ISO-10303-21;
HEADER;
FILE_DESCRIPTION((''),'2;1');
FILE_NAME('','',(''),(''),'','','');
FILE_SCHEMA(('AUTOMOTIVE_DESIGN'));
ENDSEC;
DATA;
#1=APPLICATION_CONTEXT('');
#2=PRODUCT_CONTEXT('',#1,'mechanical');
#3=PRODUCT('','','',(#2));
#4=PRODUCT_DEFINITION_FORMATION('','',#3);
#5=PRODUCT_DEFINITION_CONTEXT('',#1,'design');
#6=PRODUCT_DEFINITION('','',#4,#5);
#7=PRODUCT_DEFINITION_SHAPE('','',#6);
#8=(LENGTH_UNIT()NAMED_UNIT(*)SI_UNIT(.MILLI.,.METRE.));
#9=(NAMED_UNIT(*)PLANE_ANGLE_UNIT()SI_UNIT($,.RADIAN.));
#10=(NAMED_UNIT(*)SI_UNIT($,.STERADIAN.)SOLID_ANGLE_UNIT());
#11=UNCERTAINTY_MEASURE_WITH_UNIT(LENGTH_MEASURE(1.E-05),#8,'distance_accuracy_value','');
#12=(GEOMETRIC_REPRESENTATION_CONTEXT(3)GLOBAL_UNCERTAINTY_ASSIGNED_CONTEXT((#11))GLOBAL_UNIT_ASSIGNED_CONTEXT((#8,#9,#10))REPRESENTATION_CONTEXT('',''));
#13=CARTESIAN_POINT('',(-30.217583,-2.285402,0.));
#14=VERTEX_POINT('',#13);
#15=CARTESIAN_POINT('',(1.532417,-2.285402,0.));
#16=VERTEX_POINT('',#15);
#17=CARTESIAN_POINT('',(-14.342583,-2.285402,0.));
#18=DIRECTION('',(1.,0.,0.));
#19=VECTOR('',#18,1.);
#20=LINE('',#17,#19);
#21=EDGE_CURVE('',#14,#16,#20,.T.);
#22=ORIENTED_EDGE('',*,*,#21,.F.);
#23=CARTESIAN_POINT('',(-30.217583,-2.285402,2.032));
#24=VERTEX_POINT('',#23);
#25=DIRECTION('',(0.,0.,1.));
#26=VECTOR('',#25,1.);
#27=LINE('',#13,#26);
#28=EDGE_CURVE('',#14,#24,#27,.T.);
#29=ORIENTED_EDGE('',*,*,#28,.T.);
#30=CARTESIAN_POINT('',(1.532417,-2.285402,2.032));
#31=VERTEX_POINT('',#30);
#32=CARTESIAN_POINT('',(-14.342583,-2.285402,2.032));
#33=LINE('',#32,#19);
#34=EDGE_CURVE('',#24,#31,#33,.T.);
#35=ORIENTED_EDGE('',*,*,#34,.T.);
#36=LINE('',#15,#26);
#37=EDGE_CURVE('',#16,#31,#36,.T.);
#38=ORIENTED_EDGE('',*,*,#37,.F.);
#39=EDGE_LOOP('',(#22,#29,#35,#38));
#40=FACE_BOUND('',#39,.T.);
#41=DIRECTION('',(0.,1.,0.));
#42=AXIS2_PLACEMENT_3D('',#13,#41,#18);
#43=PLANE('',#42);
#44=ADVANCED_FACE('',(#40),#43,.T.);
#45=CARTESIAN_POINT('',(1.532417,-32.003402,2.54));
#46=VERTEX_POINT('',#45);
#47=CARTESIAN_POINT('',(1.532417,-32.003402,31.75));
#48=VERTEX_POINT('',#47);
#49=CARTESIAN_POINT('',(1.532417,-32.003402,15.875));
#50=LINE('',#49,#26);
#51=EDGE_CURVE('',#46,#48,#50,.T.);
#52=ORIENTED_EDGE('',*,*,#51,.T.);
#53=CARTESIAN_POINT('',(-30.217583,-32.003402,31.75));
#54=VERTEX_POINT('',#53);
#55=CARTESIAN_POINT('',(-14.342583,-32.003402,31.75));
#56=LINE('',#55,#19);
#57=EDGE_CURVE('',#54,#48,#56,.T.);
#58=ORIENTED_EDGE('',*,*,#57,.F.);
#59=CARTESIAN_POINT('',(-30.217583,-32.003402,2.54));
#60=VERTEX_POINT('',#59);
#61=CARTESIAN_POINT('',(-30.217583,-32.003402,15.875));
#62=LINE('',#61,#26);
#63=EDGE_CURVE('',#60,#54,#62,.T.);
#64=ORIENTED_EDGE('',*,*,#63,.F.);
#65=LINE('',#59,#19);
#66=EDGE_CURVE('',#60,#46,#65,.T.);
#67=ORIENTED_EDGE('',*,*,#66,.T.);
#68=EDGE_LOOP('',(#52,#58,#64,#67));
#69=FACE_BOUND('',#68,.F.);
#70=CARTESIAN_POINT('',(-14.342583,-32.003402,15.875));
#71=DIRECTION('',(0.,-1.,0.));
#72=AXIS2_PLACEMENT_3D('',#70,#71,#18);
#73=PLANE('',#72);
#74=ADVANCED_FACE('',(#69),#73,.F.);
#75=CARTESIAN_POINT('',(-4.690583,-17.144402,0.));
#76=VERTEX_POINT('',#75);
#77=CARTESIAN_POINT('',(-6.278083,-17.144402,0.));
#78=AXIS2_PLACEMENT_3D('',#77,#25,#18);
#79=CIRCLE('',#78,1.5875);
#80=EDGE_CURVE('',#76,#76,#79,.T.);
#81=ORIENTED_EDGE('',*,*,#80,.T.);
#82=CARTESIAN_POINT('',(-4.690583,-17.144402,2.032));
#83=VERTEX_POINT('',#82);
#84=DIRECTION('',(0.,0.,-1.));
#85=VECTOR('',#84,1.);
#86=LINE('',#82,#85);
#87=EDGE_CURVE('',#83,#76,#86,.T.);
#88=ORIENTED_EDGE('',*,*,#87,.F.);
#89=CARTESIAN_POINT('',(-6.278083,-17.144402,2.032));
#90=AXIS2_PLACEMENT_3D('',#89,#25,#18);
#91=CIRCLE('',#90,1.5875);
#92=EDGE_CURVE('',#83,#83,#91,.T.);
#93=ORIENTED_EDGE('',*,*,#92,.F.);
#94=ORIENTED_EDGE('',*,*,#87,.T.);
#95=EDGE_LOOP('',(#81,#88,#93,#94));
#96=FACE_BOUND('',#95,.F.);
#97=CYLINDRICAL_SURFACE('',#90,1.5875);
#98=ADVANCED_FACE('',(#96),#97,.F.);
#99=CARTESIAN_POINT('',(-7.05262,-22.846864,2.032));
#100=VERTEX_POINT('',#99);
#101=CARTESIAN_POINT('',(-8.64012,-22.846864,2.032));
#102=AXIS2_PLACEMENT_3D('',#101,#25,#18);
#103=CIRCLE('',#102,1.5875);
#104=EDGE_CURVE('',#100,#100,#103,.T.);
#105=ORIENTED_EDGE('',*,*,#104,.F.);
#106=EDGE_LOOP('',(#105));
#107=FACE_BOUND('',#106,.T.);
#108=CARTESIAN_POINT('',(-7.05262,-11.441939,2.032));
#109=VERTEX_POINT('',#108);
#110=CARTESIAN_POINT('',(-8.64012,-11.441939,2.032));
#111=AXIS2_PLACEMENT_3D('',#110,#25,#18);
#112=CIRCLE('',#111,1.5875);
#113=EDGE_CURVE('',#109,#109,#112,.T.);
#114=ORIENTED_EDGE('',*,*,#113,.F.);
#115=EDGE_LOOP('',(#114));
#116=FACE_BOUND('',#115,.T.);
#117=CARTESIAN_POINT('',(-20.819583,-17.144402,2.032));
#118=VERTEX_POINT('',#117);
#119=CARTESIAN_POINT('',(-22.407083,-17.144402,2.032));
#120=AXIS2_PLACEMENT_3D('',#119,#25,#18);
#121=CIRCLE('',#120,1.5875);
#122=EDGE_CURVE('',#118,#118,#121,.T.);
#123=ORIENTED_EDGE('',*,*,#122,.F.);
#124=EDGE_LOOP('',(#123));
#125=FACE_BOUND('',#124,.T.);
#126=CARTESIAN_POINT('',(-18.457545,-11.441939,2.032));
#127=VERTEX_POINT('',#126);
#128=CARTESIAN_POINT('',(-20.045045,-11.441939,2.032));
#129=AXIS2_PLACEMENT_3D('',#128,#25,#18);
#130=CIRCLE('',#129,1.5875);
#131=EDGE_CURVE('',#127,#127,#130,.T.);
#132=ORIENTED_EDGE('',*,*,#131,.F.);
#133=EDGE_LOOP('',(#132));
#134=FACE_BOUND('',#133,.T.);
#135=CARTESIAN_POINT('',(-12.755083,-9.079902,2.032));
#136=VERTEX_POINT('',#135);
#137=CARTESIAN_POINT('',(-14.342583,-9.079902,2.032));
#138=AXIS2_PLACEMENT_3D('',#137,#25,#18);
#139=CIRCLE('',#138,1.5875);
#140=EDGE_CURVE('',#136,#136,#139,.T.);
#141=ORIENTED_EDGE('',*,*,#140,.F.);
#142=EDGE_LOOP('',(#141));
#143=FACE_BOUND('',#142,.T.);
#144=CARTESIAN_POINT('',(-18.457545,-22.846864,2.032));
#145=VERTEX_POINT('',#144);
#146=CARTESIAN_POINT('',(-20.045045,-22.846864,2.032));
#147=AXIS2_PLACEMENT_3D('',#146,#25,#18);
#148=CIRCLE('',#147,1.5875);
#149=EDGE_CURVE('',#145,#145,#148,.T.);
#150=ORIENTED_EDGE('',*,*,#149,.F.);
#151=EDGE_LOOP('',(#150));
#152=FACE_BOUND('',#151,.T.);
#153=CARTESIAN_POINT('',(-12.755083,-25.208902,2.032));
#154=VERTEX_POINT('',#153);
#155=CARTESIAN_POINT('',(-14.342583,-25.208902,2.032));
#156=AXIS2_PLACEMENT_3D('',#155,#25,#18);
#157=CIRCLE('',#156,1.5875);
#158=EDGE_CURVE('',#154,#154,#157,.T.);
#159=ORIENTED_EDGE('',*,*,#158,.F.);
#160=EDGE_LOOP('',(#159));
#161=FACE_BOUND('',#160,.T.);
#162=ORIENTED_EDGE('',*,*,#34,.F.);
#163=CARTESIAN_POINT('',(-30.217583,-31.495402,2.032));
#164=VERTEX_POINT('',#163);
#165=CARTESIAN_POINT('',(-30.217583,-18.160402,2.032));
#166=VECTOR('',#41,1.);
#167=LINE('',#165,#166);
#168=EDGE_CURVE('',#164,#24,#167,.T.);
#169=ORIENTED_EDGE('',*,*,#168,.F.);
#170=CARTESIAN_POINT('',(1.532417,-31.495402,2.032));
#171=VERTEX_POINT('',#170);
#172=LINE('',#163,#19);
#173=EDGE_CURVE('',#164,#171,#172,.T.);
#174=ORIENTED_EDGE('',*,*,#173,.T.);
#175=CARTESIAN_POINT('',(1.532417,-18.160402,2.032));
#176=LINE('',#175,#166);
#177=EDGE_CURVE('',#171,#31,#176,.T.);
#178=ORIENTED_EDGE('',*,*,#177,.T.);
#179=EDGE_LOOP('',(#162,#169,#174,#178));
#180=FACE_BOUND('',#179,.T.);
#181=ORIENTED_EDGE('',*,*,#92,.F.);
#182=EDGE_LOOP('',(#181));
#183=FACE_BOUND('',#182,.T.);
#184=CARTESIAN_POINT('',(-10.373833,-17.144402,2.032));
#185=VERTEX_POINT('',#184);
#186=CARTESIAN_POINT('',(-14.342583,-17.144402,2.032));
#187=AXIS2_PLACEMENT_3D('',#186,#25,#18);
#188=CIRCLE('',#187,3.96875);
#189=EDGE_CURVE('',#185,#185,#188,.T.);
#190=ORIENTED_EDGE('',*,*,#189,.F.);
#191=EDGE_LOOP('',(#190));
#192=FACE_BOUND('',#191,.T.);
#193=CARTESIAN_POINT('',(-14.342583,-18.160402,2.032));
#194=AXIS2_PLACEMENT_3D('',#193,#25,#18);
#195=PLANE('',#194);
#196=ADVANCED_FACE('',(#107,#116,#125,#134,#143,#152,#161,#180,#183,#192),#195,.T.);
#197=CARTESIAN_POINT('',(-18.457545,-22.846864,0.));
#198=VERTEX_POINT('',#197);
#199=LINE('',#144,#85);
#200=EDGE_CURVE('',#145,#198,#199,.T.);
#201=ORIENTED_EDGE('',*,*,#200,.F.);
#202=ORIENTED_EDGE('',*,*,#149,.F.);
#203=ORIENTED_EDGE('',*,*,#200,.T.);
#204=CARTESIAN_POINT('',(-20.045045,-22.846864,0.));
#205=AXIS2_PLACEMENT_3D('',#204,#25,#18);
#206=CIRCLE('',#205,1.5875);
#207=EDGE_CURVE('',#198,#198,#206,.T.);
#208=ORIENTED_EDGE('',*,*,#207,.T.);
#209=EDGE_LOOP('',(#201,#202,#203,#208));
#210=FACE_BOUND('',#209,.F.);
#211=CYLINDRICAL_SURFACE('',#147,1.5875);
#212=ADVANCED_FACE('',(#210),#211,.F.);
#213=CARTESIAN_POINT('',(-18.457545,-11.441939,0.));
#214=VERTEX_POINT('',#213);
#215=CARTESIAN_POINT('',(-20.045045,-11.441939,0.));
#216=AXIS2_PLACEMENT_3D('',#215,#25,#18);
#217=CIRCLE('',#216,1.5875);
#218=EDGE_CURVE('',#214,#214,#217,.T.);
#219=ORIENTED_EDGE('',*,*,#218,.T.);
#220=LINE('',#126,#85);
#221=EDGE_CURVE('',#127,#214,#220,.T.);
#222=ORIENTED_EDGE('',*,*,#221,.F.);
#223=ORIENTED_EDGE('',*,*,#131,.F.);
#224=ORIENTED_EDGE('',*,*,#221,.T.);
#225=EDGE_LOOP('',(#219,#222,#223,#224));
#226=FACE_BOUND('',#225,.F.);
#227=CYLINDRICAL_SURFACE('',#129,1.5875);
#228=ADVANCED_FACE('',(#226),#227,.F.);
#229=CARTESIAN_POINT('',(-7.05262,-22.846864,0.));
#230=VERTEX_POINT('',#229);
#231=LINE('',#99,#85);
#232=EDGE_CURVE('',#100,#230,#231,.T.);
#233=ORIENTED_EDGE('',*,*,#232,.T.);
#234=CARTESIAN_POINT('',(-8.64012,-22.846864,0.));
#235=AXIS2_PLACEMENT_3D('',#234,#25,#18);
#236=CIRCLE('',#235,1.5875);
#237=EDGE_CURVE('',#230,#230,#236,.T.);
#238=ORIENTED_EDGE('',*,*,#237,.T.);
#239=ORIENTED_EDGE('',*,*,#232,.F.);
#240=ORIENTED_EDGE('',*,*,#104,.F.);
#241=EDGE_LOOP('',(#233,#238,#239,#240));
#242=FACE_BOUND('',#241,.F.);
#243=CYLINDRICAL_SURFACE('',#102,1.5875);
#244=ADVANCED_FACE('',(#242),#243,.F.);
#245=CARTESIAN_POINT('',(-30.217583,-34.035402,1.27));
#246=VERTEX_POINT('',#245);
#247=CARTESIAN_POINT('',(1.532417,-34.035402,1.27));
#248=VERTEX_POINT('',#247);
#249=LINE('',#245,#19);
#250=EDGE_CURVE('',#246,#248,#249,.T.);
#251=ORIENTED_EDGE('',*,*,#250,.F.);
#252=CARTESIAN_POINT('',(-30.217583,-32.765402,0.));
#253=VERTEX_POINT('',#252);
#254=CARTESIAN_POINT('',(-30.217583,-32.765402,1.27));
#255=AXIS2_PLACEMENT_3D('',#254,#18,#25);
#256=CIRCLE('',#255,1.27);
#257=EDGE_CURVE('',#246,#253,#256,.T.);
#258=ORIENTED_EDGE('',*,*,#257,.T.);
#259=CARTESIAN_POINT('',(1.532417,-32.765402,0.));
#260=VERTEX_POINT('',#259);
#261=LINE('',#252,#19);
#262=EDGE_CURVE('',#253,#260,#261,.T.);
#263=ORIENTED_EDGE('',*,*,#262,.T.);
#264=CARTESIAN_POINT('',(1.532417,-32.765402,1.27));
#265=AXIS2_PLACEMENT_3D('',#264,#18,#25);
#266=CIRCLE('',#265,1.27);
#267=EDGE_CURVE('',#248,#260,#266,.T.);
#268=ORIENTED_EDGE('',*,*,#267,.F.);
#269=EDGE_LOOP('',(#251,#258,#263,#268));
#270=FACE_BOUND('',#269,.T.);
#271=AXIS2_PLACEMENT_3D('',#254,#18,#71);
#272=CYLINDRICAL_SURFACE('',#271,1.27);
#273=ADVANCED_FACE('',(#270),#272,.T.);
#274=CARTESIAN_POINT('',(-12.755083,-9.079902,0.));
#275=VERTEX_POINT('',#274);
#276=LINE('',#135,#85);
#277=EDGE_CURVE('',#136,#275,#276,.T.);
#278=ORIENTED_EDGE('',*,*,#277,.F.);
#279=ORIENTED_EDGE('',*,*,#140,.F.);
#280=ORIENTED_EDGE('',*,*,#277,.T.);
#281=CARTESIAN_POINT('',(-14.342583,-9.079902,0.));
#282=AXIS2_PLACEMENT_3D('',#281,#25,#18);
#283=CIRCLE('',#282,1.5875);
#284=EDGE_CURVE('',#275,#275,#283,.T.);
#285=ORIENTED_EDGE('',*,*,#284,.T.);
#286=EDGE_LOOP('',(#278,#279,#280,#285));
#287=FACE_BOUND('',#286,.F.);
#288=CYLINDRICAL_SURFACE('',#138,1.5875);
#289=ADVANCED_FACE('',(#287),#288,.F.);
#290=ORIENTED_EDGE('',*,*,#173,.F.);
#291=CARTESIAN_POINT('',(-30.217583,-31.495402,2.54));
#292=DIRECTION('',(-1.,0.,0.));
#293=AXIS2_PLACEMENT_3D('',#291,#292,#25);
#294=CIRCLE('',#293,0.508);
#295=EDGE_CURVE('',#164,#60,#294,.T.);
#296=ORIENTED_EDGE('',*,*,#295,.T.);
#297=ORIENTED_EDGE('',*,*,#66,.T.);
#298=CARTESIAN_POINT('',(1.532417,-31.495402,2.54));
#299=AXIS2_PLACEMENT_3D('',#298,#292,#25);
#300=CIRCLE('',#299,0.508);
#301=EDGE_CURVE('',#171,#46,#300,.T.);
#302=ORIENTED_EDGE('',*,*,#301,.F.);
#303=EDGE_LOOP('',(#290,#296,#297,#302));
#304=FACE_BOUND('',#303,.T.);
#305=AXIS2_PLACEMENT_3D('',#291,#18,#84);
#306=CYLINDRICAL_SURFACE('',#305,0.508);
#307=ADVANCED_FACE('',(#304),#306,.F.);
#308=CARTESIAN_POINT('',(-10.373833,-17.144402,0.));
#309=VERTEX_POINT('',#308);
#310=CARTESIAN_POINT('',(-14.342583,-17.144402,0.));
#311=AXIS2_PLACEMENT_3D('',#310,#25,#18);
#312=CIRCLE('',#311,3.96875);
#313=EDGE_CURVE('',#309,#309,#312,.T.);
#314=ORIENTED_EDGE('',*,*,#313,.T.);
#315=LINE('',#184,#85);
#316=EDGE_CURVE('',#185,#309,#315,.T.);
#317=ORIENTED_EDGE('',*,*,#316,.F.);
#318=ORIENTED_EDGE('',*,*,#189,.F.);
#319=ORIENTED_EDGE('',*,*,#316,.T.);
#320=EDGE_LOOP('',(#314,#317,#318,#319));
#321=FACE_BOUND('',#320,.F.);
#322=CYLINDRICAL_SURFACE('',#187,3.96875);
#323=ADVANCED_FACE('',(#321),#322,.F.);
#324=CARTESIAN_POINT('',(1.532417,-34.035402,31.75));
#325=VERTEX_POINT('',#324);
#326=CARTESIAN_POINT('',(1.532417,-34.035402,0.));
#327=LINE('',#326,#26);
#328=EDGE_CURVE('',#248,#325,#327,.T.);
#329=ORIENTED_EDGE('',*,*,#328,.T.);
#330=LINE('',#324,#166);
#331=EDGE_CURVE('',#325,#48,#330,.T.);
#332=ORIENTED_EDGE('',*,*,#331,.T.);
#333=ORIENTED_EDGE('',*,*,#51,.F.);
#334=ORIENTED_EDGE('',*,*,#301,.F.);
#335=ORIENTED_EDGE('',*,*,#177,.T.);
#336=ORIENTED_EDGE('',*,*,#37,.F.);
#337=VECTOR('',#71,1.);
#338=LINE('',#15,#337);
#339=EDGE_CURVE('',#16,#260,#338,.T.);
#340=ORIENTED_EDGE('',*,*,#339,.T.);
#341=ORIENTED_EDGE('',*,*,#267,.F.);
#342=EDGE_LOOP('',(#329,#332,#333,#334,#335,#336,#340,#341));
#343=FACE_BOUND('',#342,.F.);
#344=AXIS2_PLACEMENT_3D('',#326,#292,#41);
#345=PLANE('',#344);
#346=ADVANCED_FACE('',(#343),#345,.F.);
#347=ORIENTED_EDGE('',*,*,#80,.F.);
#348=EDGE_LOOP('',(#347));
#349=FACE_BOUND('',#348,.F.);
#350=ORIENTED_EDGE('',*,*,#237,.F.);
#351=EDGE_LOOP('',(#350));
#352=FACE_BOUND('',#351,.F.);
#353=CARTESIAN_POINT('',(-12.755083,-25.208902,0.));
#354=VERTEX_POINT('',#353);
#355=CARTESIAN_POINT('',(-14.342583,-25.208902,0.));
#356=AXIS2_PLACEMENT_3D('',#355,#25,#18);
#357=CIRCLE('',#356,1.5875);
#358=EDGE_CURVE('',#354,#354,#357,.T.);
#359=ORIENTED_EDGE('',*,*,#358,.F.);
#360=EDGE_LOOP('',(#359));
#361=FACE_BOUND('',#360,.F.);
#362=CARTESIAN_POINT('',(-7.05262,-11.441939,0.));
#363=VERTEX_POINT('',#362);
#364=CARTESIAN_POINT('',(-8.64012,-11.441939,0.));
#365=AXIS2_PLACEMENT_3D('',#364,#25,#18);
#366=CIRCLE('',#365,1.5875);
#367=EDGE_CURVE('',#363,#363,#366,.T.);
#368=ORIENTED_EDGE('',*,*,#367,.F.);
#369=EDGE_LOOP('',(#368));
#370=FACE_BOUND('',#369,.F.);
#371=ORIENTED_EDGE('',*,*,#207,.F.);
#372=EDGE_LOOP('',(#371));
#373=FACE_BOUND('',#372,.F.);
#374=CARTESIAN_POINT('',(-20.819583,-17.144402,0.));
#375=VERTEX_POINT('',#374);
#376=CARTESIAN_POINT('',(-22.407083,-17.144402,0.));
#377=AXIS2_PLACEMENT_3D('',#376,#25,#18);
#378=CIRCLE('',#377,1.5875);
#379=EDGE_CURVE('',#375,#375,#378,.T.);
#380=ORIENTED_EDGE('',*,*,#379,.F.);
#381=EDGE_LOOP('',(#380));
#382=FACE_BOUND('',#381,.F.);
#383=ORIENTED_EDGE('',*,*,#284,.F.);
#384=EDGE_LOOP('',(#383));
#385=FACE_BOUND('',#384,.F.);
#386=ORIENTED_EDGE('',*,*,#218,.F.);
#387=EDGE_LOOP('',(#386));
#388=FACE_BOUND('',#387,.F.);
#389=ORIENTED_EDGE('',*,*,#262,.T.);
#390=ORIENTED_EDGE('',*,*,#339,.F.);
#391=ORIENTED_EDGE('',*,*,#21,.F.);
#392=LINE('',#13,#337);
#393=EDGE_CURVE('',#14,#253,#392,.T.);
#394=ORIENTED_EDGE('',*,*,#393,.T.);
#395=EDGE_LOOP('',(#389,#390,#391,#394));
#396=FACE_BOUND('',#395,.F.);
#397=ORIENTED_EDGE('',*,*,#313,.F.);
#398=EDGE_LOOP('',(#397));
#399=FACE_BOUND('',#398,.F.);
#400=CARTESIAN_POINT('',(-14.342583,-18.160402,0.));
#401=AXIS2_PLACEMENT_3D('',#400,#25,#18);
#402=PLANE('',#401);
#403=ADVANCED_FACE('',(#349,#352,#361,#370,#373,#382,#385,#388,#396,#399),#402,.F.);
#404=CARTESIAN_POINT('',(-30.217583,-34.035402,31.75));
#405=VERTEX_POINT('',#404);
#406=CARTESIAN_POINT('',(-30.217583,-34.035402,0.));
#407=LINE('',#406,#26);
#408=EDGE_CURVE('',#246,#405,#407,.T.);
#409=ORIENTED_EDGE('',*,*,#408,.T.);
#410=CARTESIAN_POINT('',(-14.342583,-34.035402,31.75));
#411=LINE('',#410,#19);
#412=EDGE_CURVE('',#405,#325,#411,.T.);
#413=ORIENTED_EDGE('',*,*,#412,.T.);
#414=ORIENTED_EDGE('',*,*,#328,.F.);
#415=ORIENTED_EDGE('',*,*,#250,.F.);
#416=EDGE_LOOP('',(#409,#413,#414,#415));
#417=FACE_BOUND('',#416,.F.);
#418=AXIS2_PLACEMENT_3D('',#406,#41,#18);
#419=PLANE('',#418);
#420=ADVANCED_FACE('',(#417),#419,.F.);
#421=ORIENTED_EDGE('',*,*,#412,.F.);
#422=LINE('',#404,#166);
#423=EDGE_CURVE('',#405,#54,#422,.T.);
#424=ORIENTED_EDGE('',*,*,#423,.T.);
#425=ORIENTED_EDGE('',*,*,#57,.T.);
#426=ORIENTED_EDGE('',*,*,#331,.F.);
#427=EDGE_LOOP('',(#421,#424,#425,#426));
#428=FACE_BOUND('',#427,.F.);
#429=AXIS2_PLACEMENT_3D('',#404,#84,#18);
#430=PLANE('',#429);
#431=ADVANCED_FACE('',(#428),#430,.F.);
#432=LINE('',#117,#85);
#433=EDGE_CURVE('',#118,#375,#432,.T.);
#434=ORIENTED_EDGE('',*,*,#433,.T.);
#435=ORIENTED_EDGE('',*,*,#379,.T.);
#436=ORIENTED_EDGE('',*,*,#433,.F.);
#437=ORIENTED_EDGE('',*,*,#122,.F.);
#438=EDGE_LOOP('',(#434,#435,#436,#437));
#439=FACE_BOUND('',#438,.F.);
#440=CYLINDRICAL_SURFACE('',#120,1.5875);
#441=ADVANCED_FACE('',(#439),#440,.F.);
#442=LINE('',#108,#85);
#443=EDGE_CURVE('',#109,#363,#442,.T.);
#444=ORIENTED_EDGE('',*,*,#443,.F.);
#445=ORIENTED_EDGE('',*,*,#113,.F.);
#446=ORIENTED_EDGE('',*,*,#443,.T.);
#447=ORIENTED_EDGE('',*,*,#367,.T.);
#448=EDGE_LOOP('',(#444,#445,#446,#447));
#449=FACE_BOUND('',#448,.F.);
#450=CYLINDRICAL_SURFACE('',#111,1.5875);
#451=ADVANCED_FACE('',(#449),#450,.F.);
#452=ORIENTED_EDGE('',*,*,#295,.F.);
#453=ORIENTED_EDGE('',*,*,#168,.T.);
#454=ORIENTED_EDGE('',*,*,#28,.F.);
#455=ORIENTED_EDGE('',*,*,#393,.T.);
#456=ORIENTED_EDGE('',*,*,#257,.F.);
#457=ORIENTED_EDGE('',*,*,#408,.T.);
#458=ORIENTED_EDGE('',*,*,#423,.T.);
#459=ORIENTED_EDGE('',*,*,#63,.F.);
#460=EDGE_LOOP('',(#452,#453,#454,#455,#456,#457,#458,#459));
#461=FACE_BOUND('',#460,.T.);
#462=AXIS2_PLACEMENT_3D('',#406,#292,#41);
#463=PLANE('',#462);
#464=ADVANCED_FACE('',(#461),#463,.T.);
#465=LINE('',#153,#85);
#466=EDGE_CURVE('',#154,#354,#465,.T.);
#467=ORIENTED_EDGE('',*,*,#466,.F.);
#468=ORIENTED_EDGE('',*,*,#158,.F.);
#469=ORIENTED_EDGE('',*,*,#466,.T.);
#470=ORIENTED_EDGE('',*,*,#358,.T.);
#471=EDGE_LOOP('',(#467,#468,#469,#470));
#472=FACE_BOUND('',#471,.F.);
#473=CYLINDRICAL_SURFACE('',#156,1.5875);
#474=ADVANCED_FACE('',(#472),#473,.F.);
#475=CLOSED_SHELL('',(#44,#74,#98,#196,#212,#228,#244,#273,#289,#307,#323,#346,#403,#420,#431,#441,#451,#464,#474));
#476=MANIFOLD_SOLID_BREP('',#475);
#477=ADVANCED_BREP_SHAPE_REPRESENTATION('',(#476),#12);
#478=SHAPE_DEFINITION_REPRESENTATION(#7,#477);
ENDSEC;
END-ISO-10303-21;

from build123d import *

# Parameters (mm, degrees)
F0_W     = 31.75
F0_H     = 31.75
F1_DEPTH = 2.032
F2_W     = 31.75
F2_H     = 31.75
F3_DEPTH = 2.032
F4_R     = 0.508
F5_R     = 1.27
F6_R     = 1.5875
F6_R_2   = 3.96875
F7_DEPTH = 25.4


with BuildPart() as f1:
    # F0 (on Top) → F1 (new body)
    with BuildSketch(Plane.XY):
        with Locations((-14.342583, -18.160402)):
            Rectangle(F0_W, F0_H)
    extrude(amount=F1_DEPTH)

    # F2 (on face) → F3 (join)
    with BuildSketch(Plane.XZ.offset(34.035402)):
        with Locations((-14.342583, 15.875)):
            Rectangle(F2_W, F2_H)
    extrude(amount=-F3_DEPTH)

    # F4
    f4_edges = [f1.edges().sort_by_distance(p)[0] for p in [
        (-14.342583, -32.003402, 2.032),
    ]]
    fillet(f4_edges, radius=F4_R)

    # F5
    f5_edges = [f1.edges().sort_by_distance(p)[0] for p in [
        (-14.342583, -34.035402, 0),
    ]]
    fillet(f5_edges, radius=F5_R)

    # F6 (on face) → F7 (cut)
    with BuildSketch(Plane.XY.offset(2.032)):
        with Locations((-14.342583, -9.079902)):
            Circle(F6_R)
        with Locations((-20.045045, -11.441939)):
            Circle(F6_R)
        with Locations((-22.407083, -17.144402)):
            Circle(F6_R)
        with Locations((-20.045045, -22.846864)):
            Circle(F6_R)
        with Locations((-14.342583, -25.208902)):
            Circle(F6_R)
        with Locations((-8.64012, -22.846864)):
            Circle(F6_R)
        with Locations((-6.278083, -17.144402)):
            Circle(F6_R)
        with Locations((-8.64012, -11.441939)):
            Circle(F6_R)
        with Locations((-14.342583, -17.144402)):
            Circle(F6_R_2)
    extrude(amount=-F7_DEPTH, mode=Mode.SUBTRACT)


solid = f1.part
